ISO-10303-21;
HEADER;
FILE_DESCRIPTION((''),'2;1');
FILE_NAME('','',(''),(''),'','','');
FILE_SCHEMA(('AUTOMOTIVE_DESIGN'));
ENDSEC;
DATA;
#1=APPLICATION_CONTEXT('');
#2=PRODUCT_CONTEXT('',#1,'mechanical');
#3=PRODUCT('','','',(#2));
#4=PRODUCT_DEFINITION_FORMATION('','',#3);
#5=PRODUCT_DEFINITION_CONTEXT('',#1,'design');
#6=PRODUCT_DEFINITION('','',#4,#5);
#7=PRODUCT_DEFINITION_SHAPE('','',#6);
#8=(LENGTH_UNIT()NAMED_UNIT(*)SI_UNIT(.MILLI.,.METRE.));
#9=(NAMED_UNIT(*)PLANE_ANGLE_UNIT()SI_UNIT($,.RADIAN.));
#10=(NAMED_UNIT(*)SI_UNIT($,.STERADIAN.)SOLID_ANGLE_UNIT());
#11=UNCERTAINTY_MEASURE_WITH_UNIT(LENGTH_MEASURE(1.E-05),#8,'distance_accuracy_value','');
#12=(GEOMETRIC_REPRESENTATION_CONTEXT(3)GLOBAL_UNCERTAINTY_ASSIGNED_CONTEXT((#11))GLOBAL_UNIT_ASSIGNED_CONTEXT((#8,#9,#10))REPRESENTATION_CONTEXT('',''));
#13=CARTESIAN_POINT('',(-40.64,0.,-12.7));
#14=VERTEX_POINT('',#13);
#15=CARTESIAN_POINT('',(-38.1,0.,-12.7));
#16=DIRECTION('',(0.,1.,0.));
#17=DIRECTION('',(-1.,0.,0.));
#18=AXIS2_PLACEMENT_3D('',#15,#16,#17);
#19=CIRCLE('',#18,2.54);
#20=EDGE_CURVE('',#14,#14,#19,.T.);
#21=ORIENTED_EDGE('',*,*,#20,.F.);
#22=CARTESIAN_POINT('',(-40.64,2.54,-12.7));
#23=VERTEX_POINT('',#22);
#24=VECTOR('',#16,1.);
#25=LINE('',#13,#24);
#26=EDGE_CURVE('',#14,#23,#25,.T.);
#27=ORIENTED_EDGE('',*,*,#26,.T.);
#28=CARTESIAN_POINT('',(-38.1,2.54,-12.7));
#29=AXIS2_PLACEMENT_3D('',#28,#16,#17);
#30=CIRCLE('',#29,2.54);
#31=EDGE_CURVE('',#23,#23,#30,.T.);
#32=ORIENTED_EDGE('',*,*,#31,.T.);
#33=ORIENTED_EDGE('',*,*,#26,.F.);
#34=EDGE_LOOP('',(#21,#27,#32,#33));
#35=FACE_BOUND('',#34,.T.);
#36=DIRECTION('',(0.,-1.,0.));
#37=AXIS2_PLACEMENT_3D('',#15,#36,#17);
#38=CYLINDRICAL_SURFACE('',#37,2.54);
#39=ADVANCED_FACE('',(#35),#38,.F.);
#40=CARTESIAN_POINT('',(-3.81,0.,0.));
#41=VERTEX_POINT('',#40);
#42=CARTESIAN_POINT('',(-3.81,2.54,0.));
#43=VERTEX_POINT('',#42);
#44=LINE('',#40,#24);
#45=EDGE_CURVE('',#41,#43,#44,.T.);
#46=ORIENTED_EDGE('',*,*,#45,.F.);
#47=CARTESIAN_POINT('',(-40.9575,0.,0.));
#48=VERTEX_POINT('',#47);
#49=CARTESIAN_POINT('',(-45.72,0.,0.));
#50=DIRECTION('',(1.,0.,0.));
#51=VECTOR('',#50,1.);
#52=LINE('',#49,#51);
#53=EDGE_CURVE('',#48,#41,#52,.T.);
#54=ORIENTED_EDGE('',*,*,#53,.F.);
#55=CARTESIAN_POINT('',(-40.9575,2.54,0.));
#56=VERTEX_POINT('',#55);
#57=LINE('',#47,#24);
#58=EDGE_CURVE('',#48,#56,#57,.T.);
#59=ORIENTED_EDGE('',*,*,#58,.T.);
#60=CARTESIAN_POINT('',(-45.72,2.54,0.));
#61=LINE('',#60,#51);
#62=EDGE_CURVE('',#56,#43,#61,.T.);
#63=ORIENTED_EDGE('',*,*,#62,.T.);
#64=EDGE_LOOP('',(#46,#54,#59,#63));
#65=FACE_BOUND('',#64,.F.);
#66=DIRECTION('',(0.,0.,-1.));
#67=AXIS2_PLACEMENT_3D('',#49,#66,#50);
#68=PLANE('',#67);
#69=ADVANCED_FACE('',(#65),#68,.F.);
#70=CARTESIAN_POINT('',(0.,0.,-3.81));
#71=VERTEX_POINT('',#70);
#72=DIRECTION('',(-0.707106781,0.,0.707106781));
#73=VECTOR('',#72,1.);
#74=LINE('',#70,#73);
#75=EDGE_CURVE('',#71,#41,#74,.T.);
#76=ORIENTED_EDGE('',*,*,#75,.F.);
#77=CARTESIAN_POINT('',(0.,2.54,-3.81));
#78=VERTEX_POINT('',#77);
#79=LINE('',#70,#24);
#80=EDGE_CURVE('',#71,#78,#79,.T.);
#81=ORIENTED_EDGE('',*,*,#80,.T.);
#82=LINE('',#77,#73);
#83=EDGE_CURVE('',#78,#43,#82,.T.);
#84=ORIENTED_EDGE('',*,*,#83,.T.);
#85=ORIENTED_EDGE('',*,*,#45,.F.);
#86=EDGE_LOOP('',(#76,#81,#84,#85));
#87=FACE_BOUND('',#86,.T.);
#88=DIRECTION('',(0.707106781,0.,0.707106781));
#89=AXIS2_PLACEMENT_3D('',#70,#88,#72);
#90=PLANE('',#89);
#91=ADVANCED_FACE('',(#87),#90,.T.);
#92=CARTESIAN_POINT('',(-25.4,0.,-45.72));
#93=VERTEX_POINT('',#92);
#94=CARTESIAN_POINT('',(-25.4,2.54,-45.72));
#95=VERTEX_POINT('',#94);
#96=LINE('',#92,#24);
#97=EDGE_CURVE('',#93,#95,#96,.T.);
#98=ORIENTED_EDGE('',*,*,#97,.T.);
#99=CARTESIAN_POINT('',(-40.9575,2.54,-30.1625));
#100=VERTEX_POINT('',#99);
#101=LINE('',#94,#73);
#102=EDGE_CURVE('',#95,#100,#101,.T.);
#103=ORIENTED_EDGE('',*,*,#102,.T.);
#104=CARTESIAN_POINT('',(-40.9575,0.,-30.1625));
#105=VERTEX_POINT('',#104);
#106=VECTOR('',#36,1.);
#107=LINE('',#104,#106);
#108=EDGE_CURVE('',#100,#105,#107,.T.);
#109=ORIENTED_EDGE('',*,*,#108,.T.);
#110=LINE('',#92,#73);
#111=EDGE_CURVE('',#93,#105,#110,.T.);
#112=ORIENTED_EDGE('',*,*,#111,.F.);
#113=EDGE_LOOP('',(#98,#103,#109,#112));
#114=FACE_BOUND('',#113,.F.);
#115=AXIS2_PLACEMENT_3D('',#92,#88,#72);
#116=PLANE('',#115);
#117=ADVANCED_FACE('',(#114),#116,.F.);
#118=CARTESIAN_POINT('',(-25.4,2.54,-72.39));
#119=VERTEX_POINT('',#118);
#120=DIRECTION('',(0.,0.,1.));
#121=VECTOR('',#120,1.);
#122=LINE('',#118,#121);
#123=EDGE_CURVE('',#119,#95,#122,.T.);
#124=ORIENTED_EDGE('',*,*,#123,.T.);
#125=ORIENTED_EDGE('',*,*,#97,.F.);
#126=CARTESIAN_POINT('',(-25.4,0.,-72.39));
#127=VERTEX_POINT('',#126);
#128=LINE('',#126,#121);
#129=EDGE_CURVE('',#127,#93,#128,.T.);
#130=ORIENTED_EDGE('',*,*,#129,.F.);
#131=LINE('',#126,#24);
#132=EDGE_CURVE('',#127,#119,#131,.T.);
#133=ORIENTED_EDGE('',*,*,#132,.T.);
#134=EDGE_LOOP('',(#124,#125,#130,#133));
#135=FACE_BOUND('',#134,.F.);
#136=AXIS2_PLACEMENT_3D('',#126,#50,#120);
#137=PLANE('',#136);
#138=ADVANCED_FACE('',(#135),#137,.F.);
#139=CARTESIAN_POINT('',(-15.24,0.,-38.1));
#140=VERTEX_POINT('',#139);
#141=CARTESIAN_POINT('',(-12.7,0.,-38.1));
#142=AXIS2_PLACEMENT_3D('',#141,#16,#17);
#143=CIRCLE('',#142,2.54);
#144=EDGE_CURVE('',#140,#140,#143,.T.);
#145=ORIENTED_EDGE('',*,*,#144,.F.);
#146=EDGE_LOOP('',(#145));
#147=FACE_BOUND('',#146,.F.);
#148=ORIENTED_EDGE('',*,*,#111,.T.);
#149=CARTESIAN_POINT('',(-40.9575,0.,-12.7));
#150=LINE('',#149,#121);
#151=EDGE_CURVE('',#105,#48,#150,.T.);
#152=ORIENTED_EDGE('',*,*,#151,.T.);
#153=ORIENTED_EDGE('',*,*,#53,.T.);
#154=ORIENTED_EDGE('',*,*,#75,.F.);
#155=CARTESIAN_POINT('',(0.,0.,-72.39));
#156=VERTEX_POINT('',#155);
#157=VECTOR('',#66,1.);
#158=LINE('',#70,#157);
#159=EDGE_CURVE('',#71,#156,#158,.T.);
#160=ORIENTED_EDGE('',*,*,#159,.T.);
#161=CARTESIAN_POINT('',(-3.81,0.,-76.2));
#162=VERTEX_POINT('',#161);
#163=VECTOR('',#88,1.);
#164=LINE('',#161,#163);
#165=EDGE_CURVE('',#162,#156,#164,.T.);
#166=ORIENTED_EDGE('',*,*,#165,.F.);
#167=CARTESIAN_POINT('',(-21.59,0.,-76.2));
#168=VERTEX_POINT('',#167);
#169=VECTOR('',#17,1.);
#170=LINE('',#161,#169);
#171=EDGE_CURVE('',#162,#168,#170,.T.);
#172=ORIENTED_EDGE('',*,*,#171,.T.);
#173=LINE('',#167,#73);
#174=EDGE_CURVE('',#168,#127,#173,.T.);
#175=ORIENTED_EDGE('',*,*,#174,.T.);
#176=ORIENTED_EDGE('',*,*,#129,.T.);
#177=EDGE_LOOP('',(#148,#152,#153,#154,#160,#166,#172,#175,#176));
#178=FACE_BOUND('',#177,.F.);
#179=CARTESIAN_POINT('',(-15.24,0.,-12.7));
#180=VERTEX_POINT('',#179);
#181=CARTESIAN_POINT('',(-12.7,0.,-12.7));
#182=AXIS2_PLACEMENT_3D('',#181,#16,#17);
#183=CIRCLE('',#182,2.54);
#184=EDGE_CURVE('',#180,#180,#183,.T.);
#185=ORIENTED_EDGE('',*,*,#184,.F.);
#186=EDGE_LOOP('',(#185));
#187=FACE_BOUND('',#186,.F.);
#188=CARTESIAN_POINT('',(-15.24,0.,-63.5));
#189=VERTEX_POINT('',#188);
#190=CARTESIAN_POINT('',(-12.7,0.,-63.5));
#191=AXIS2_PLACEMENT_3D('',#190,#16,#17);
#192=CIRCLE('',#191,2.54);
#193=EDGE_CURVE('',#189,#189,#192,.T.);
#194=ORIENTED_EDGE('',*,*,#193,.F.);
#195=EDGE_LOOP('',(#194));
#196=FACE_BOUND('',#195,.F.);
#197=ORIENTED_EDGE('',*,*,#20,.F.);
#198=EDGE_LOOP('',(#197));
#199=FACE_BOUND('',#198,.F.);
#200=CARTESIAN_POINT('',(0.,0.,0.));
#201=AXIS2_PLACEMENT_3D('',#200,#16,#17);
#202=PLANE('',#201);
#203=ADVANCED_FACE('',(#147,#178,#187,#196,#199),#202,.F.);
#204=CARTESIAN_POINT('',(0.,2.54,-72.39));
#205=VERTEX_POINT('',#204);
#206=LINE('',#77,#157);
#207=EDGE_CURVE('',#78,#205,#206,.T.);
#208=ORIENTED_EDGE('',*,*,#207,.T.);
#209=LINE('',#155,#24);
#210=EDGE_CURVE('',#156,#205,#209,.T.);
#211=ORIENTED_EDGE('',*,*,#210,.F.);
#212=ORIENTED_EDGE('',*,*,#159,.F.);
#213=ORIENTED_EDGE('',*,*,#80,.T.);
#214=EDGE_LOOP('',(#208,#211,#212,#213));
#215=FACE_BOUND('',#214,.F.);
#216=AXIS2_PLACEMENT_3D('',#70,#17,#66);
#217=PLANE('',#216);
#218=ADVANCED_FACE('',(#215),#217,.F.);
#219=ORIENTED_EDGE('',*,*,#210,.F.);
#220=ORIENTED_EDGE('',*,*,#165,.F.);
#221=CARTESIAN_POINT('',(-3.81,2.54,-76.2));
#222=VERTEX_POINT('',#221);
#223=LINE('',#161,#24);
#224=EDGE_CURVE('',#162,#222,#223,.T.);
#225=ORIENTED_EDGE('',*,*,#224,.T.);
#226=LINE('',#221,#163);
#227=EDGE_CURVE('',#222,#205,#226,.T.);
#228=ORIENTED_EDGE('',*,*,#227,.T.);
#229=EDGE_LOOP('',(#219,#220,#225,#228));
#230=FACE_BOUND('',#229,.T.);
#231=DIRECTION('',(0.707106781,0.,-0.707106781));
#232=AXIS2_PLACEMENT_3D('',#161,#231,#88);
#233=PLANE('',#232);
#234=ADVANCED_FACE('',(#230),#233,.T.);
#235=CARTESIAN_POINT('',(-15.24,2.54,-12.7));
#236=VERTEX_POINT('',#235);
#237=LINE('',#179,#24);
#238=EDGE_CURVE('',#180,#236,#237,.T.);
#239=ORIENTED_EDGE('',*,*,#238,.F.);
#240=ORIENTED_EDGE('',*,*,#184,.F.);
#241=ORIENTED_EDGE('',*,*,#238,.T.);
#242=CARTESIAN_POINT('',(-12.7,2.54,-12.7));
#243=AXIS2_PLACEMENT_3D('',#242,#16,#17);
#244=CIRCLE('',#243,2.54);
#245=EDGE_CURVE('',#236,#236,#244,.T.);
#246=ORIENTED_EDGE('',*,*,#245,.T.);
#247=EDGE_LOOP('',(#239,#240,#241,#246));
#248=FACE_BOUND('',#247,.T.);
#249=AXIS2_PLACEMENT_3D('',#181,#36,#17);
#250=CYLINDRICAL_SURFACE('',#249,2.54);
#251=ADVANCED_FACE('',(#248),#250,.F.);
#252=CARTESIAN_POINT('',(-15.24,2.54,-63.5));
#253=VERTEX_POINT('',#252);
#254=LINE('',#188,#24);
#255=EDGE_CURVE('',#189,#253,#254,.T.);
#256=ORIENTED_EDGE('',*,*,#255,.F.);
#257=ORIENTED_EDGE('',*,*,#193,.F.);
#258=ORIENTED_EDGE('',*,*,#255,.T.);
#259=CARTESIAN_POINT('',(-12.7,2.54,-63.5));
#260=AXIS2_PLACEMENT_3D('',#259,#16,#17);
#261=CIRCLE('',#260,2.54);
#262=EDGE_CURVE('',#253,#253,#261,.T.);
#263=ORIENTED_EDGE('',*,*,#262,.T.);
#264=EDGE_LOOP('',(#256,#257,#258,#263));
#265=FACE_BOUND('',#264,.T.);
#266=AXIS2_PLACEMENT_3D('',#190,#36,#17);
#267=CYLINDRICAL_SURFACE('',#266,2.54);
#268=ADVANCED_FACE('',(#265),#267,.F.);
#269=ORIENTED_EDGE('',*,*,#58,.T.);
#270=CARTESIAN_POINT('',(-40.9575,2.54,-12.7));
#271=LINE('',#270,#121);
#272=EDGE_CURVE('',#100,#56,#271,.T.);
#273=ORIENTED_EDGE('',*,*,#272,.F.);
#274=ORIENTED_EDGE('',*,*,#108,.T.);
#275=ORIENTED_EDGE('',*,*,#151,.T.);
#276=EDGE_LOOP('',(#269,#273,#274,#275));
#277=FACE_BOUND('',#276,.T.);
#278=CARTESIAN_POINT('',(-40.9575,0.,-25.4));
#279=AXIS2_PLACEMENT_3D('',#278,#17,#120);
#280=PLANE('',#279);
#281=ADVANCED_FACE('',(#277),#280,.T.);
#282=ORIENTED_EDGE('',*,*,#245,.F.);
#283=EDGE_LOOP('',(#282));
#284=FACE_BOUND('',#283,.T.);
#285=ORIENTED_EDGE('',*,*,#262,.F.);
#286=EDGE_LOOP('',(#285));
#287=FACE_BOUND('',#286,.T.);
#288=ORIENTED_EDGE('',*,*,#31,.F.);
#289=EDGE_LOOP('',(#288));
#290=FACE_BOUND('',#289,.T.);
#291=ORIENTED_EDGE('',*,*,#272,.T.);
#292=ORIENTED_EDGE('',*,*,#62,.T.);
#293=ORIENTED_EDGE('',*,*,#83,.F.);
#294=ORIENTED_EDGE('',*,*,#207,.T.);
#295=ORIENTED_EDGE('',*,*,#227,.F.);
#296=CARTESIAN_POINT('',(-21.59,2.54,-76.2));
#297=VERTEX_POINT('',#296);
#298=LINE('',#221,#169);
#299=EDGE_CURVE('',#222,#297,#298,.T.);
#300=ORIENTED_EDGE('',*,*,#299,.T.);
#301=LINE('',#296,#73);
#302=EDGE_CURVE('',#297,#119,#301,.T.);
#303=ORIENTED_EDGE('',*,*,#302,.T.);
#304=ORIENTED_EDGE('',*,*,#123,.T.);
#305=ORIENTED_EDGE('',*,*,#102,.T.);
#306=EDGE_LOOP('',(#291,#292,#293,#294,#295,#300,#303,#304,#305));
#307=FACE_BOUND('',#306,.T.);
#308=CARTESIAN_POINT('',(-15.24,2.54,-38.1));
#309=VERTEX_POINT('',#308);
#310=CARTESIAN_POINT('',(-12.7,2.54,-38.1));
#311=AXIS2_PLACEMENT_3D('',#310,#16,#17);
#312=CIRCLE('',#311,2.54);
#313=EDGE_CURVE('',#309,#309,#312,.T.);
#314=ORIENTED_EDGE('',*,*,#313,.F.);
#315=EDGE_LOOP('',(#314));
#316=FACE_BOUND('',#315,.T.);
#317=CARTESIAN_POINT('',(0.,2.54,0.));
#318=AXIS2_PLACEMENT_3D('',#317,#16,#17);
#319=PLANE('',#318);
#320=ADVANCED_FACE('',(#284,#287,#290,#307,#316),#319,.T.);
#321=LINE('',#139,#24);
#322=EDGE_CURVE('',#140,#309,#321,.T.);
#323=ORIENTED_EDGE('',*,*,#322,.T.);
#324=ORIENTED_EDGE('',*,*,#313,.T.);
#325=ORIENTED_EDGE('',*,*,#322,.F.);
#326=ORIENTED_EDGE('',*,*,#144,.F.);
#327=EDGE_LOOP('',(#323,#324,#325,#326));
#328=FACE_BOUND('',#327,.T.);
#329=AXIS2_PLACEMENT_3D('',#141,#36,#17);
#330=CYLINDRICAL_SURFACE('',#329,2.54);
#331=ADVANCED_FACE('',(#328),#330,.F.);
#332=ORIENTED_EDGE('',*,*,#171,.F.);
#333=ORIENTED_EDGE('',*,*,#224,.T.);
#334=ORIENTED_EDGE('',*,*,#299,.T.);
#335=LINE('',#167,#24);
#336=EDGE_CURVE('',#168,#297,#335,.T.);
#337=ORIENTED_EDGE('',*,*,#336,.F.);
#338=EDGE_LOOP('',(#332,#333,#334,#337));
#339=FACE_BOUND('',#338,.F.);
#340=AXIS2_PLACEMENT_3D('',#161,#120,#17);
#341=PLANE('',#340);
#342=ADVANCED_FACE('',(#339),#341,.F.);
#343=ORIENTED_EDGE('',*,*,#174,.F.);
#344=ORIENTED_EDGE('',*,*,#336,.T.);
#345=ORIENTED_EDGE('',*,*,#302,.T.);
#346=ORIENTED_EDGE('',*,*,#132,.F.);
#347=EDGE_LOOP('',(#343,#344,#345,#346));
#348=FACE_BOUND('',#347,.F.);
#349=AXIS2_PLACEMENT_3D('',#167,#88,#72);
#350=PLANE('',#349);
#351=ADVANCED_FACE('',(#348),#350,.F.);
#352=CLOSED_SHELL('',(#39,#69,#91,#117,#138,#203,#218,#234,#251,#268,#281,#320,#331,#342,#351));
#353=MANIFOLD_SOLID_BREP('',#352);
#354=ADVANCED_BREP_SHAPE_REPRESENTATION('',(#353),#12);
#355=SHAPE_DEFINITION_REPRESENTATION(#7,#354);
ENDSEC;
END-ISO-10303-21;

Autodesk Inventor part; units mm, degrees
ref_plane "YZ Plane" through (0, 0, 0) normal (1, 0, 0) x (0, 1, 0)
ref_plane "XZ Plane" through (0, 0, 0) normal (0, 1, 0) x (-1, 0, 0)
ref_plane "XY Plane" through (0, 0, 0) normal (0, 0, 1) x (1, 0, 0)
sketch "Sketch1" plane through (0, 0, 0) normal (0, 1, 0) x (-1, 0, 0)
  line L0 (25.4, -45.72) -> (45.72, -25.4)
  line L1 (0, -3.81) -> (3.81, 0)
  line L2 (3.81, -76.2) -> (0, -72.39)
  line L3 (21.59, -76.2) -> (25.4, -72.39)
  line L4 (0, -3.81) -> (0, -72.39)
  line L5 (3.81, -76.2) -> (21.59, -76.2)
  line L6 (25.4, -72.39) -> (25.4, -45.72)
  circle A0 centre (38.1, -12.7) radius 2.54
  circle A1 centre (12.7, -12.7) radius 2.54
  circle A2 centre (12.7, -38.1) radius 2.54
  circle A3 centre (12.7, -63.5) radius 2.54
  line L7 (45.72, -25.4) -> (45.72, 0)
  line L8 (45.72, 0) -> (3.81, 0)
  point P0 (0, 0)
extrude "Extrusion2" add sketch "Sketch1" along normal blind 2.54
sketch "Sketch2" plane through (-45.72, 0, -25.4) normal (-1, 0, 0) x (0, 0, 1)
  line L0 (31.6621, -8.1072) -> (-13.5147, -8.1072)
  line L1 (-13.5147, -8.1072) -> (-13.5147, 15.8231)
  line L2 (-13.5147, 15.8231) -> (31.6621, 15.8231)
  line L3 (31.6621, 15.8231) -> (31.6621, -8.1072)
  point P0 (25.4, 0)
extrude "Extrusion3" cut sketch "Sketch2" against normal blind 4.7625
properties part number "1in corner bracket for extrusions cut" material "Steel, Alloy"
